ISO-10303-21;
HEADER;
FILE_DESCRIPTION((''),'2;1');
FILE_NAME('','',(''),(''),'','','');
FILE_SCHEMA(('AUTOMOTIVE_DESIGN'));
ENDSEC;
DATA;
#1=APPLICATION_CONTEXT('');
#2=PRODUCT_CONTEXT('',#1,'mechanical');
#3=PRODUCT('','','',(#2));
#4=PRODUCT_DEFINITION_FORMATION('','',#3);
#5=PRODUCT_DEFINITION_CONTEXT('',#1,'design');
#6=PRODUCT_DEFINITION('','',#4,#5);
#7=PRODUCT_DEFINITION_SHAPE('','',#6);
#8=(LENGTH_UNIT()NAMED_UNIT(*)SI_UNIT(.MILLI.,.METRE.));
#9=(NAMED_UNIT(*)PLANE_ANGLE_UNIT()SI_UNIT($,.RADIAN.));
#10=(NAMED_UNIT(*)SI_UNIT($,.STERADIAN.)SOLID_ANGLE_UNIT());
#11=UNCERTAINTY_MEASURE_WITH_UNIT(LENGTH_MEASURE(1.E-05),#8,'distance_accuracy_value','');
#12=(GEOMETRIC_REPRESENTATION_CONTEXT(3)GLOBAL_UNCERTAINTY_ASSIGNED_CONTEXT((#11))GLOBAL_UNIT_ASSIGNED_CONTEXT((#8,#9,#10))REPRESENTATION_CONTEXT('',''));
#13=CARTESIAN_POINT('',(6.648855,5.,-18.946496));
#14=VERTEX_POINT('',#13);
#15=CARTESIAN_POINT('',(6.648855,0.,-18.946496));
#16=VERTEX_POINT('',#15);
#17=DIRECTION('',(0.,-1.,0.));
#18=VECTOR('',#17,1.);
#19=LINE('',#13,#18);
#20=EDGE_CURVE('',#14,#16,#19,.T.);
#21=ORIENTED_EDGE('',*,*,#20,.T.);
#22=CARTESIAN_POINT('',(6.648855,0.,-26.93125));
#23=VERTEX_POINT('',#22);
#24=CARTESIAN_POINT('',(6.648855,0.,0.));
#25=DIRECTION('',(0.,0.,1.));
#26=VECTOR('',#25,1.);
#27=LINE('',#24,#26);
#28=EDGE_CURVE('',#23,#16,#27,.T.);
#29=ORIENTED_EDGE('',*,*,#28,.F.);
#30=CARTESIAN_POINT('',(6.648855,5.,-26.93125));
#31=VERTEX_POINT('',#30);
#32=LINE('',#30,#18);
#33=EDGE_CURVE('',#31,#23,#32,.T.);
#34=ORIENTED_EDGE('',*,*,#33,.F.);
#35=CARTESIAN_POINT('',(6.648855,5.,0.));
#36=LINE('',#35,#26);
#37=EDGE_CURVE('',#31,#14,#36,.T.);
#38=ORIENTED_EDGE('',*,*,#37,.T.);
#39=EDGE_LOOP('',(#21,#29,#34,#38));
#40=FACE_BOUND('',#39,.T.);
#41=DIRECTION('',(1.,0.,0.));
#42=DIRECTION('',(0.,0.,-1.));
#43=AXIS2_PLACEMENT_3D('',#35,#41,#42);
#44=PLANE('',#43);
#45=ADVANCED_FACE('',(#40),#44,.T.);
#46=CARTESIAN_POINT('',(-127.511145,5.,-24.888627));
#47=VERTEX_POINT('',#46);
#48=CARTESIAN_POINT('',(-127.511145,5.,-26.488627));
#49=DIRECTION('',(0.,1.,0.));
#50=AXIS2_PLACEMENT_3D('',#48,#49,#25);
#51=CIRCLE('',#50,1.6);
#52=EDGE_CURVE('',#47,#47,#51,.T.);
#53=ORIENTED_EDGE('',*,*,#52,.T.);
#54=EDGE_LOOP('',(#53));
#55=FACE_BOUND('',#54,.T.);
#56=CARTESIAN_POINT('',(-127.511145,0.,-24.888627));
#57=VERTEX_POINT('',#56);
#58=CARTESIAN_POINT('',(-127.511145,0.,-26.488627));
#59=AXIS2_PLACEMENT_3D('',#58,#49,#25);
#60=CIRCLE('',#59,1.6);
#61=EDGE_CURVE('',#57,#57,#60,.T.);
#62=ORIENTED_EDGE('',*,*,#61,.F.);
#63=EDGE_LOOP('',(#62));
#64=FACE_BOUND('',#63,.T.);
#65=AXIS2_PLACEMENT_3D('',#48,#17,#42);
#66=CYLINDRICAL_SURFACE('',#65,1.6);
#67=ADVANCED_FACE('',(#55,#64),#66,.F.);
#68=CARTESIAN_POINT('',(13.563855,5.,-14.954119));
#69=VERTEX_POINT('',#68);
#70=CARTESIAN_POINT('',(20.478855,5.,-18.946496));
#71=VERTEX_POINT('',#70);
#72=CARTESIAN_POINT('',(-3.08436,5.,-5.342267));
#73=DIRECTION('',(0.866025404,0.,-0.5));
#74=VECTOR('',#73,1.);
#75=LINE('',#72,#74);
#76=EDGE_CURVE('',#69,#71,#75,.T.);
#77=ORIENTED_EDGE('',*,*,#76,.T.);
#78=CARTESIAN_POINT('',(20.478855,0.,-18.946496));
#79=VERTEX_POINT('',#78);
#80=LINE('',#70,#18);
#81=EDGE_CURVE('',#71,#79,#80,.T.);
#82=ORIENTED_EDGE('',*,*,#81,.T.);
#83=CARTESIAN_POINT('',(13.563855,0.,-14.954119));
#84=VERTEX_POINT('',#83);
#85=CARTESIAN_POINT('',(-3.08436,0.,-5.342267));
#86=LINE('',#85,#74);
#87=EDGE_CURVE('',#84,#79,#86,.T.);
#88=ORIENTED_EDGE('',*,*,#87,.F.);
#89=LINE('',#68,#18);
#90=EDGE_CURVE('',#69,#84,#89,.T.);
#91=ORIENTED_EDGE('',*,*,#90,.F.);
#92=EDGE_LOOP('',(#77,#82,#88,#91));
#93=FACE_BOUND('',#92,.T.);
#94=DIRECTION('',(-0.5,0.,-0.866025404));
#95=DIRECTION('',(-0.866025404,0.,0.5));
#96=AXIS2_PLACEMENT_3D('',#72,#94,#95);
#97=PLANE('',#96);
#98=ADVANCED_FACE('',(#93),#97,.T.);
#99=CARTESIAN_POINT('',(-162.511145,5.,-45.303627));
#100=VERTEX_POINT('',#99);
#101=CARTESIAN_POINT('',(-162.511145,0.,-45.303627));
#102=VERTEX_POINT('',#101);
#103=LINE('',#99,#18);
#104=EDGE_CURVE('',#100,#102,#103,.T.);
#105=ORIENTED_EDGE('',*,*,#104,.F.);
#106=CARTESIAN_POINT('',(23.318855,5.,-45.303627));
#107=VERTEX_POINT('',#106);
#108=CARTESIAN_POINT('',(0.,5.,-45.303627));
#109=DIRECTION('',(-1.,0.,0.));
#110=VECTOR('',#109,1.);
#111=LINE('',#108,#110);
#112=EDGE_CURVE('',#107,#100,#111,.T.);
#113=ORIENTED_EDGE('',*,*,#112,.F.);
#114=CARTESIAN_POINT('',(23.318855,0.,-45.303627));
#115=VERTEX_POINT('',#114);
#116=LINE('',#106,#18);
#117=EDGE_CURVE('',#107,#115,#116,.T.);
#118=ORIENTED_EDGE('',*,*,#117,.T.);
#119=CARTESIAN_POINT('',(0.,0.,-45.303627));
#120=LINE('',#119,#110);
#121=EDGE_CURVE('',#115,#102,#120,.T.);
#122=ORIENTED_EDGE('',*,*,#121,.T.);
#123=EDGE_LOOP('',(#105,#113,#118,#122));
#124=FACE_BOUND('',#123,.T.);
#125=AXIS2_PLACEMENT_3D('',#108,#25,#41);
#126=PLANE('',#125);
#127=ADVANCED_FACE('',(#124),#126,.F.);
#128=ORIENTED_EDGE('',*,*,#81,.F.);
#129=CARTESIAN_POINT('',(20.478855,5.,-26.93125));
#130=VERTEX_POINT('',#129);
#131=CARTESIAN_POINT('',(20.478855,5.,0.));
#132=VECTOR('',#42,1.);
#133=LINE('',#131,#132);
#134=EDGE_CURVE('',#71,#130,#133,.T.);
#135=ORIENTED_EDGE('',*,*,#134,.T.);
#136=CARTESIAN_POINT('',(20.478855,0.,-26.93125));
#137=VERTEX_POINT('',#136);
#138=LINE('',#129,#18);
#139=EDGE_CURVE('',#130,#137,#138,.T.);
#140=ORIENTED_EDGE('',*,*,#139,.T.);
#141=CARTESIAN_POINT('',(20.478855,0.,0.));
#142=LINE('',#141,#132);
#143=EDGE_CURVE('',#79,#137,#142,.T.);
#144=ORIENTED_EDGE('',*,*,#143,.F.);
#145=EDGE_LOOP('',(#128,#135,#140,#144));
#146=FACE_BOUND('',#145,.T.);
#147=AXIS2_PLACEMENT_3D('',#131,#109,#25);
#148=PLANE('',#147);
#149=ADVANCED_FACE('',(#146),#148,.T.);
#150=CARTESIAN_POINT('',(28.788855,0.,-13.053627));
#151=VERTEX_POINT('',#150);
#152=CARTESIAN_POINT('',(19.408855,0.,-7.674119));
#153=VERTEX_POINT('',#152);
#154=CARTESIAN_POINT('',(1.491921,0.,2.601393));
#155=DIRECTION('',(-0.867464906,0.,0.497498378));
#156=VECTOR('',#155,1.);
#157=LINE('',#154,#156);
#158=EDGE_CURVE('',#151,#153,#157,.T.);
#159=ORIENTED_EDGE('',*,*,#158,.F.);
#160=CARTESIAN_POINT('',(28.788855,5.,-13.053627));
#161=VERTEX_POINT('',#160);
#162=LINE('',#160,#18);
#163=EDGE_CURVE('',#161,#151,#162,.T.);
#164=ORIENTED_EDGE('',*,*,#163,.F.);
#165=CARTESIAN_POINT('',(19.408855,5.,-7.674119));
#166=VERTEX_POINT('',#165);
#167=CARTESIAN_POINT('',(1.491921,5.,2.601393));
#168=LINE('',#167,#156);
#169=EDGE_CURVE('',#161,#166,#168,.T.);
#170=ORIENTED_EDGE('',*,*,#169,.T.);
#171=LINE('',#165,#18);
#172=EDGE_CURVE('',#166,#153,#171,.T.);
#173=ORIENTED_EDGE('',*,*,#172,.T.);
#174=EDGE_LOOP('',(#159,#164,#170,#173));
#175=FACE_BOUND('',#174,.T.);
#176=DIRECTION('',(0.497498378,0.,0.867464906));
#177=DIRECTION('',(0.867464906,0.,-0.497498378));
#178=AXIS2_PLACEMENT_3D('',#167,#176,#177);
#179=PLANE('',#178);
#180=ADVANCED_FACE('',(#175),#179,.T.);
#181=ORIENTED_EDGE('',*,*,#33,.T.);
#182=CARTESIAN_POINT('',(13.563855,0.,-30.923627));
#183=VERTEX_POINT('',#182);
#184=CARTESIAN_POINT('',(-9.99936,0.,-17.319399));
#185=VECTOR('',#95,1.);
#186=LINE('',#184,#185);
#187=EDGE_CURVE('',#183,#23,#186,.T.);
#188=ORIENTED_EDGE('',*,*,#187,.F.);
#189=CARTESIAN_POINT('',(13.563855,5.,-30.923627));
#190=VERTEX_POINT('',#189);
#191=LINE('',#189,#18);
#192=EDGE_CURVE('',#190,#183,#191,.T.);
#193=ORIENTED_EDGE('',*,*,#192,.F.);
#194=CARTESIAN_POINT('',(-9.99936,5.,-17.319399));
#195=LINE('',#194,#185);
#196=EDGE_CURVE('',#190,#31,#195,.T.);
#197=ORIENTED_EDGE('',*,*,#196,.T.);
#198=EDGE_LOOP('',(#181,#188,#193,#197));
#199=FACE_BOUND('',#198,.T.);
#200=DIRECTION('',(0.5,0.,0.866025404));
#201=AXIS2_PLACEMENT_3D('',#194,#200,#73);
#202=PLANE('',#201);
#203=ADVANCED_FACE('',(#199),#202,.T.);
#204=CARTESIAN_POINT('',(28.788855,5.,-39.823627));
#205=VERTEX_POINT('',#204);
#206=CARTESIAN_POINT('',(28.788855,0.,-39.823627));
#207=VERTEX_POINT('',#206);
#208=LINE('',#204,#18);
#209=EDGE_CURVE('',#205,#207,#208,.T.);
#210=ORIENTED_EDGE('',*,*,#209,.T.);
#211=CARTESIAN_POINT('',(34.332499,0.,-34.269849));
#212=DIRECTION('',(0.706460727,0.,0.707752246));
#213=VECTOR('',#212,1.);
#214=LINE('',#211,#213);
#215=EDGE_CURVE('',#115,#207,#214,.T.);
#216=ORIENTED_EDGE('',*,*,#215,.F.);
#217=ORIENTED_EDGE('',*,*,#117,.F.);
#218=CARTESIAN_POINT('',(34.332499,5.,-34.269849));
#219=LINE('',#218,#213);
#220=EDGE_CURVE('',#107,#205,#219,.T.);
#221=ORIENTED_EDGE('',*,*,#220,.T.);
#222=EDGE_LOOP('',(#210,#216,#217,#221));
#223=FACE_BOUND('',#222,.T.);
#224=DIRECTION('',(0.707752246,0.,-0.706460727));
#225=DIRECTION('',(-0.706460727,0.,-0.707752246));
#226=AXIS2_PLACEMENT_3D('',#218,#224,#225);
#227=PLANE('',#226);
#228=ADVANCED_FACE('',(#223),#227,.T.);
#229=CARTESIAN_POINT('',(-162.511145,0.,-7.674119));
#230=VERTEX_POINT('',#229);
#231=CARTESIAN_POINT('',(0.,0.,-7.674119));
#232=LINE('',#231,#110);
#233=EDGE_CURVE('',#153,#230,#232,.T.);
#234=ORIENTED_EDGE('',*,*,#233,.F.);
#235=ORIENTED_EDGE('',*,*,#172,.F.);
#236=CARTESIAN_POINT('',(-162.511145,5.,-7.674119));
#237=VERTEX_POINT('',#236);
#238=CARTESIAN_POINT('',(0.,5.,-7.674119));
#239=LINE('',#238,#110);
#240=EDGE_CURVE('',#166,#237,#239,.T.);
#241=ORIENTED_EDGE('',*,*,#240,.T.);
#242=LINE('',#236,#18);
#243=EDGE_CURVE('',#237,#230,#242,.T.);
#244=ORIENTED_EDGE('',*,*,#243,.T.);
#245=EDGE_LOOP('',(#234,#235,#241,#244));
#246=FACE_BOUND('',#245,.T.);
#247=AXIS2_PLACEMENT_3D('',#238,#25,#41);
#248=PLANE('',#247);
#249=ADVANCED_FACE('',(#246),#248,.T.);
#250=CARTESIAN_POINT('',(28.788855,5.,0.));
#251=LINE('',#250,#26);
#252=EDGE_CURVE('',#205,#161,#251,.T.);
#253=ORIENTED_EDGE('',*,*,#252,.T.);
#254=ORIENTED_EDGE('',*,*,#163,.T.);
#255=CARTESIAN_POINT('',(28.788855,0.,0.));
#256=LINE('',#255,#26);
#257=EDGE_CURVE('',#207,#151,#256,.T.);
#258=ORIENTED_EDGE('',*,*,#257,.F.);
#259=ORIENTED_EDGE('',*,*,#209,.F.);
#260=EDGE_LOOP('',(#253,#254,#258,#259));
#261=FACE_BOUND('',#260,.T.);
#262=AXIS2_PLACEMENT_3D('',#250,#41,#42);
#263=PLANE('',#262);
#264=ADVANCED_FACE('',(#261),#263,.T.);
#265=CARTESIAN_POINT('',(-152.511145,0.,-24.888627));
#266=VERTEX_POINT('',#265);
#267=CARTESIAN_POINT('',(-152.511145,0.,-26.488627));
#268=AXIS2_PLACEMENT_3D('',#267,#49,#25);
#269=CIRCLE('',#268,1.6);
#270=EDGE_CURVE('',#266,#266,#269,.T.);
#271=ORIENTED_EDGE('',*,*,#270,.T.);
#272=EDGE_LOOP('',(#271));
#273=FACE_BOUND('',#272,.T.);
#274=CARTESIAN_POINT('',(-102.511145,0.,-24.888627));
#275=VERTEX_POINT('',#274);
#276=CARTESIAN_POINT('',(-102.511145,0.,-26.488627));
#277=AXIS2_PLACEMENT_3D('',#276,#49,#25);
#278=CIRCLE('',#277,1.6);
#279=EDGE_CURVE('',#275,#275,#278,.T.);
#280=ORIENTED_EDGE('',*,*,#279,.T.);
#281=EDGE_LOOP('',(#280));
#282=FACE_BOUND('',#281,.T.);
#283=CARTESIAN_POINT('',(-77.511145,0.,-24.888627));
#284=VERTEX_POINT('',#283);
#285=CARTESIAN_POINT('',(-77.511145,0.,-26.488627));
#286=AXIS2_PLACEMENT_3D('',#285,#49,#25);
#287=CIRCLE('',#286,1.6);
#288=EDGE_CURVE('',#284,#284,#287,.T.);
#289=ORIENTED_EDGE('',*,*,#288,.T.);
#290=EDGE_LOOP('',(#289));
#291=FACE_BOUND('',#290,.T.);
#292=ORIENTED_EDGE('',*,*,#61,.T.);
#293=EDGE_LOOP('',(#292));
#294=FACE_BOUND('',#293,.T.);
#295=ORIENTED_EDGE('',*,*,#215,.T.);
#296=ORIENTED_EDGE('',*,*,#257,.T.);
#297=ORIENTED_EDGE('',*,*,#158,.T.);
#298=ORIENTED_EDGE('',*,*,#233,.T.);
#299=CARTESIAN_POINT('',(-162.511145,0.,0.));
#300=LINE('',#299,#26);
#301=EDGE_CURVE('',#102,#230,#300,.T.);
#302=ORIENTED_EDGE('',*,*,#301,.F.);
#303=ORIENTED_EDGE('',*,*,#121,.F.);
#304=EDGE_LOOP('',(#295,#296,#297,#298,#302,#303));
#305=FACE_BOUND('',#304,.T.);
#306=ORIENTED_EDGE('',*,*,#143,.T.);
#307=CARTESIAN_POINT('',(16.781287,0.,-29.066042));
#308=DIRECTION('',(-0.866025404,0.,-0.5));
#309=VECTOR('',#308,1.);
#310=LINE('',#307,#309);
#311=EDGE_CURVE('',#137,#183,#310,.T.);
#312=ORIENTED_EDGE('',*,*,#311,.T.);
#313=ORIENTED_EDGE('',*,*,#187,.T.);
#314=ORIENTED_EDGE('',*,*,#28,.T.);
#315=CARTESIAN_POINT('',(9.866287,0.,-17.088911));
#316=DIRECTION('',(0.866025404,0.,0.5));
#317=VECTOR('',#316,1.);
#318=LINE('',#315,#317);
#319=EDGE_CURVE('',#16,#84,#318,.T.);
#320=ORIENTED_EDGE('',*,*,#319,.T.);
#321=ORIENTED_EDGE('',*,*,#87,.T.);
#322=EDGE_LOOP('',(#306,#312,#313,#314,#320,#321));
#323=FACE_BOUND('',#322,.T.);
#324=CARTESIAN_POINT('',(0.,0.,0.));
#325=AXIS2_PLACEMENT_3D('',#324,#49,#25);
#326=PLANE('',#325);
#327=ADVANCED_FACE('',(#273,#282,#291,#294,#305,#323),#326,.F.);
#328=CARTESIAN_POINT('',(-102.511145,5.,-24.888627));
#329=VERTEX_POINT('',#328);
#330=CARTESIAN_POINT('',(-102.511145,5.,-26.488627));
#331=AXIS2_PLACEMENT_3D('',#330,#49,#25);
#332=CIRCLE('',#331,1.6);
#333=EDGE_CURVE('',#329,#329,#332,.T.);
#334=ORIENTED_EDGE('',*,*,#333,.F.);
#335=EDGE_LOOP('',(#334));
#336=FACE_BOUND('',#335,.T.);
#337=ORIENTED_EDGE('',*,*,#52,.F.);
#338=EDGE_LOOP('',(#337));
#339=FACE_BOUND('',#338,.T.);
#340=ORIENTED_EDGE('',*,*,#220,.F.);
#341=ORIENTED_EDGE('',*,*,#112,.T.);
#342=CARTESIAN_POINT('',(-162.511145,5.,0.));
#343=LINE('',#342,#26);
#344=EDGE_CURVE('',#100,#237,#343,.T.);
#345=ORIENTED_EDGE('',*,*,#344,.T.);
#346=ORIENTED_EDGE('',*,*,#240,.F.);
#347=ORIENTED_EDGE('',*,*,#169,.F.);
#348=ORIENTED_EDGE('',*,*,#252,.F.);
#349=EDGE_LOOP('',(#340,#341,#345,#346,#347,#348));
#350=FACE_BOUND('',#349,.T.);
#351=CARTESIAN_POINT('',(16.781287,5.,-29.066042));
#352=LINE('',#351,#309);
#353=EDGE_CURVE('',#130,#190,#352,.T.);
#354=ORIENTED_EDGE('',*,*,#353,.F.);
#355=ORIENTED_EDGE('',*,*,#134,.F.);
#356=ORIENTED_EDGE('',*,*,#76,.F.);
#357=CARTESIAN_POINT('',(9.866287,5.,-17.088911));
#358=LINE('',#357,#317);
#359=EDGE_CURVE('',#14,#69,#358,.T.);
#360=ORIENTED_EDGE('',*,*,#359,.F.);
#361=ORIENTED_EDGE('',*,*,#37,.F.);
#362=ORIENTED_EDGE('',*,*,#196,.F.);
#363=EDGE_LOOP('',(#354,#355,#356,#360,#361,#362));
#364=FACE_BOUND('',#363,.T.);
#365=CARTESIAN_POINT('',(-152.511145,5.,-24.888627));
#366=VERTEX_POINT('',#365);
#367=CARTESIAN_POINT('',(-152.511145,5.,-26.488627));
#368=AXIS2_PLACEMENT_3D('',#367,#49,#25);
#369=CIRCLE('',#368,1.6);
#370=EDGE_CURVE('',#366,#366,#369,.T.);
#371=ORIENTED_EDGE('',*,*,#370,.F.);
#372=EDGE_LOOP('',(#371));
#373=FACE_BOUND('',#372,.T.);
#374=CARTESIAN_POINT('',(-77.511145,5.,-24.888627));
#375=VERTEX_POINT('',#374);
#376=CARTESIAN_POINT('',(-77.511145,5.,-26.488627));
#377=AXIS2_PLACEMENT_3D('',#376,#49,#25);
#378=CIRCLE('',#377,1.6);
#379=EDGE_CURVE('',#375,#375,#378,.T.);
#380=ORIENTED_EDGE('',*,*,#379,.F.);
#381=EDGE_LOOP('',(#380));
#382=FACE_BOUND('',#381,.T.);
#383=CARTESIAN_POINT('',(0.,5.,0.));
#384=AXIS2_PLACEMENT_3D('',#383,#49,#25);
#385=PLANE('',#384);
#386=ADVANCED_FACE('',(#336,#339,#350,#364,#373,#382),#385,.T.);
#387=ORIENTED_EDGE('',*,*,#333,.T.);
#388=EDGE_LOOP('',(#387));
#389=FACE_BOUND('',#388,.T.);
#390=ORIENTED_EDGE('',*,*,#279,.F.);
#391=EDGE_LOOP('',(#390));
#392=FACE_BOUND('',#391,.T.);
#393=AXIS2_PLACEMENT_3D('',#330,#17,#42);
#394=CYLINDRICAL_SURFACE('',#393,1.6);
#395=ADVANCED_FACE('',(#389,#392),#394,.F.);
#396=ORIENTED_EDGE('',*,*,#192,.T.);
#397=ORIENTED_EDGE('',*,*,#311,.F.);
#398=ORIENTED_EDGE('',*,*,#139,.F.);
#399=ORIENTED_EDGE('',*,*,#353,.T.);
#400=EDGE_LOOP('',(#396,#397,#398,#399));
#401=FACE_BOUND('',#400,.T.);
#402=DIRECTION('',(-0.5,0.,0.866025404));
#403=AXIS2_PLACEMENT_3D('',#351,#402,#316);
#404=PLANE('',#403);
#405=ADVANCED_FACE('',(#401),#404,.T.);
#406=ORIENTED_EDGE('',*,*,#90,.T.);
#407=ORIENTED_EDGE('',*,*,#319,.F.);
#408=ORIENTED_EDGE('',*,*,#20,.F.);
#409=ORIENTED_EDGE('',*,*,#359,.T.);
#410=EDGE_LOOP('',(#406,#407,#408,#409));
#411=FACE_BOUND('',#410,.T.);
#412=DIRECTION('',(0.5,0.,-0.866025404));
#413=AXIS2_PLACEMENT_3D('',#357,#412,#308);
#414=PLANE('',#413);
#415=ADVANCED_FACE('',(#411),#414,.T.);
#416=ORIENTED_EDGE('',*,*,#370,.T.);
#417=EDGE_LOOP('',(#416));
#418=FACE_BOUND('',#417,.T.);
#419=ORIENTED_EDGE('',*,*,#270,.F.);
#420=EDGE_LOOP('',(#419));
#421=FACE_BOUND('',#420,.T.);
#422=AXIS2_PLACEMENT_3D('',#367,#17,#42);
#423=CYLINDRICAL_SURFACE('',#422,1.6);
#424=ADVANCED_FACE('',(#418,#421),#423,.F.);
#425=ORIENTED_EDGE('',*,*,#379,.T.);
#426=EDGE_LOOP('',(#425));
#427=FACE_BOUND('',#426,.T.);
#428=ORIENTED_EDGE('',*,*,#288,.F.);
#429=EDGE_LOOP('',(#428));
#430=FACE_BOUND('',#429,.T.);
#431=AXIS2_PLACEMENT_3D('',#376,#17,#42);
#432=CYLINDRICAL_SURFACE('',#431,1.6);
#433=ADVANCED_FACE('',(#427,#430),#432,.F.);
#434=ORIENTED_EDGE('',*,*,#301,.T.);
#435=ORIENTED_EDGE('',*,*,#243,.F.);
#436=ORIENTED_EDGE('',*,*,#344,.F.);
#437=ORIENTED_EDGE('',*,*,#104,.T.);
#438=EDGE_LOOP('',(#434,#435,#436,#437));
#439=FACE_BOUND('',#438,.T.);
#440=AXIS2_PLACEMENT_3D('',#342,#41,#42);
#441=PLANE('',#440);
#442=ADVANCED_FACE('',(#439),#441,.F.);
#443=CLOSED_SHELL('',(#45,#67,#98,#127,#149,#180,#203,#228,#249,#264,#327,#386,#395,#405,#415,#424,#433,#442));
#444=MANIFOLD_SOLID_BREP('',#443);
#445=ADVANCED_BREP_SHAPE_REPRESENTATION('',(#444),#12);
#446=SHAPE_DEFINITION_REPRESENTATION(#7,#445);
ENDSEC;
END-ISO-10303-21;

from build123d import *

# Parameters (mm, degrees)
SKETCH1_W           = 144.53
SKETCH1_H           = 37.629508446
SKETCH1_R           = 1.6
BOSS_EXTRUDE1_DEPTH = 5


with BuildPart() as part:
    # Sketch1 → Boss-Extrude1 (new body)
    # profile 1 of 2: a face of its own
    with BuildSketch(Plane(origin=(0, 0, 0), x_dir=(1, 0, 0), z_dir=(0, 1, 0))):
        with Locations((-90.246144653, 26.488873013)):
            Rectangle(SKETCH1_W, SKETCH1_H)
        with Locations(Location((-77.511144653, 26.488627236, 0), (0, 0, 270))):
            Circle(SKETCH1_R, mode=Mode.SUBTRACT)
        with Locations(Location((-102.511144653, 26.488627236, 0), (0, 0, 270))):
            Circle(SKETCH1_R, mode=Mode.SUBTRACT)
        with Locations(Location((-127.511144653, 26.488627236, 0), (0, 0, 270))):
            Circle(SKETCH1_R, mode=Mode.SUBTRACT)
        with Locations(Location((-152.511144653, 26.488627236, 0), (0, 0, 270))):
            Circle(SKETCH1_R, mode=Mode.SUBTRACT)
    # profile 2 of 2: a face of its own
    with BuildSketch(Plane(origin=(0, 0, 0), x_dir=(1, 0, 0), z_dir=(0, 1, 0))):
        Polygon((28.788855347, 39.823627236), (23.318855347, 45.303627236), (-17.981144653, 45.303627236), (-17.981144653, 7.67411879), (19.408855347, 7.67411879), (28.788855347, 13.053627236), align=None)
        Polygon((20.478855347, 18.946495902), (13.563855347, 14.95411879), (6.648855347, 18.946495902), (6.648855347, 26.931250125), (13.563855347, 30.923627236), (20.478855347, 26.931250125), align=None, mode=Mode.SUBTRACT)
    extrude(amount=BOSS_EXTRUDE1_DEPTH)


solid = part.part
